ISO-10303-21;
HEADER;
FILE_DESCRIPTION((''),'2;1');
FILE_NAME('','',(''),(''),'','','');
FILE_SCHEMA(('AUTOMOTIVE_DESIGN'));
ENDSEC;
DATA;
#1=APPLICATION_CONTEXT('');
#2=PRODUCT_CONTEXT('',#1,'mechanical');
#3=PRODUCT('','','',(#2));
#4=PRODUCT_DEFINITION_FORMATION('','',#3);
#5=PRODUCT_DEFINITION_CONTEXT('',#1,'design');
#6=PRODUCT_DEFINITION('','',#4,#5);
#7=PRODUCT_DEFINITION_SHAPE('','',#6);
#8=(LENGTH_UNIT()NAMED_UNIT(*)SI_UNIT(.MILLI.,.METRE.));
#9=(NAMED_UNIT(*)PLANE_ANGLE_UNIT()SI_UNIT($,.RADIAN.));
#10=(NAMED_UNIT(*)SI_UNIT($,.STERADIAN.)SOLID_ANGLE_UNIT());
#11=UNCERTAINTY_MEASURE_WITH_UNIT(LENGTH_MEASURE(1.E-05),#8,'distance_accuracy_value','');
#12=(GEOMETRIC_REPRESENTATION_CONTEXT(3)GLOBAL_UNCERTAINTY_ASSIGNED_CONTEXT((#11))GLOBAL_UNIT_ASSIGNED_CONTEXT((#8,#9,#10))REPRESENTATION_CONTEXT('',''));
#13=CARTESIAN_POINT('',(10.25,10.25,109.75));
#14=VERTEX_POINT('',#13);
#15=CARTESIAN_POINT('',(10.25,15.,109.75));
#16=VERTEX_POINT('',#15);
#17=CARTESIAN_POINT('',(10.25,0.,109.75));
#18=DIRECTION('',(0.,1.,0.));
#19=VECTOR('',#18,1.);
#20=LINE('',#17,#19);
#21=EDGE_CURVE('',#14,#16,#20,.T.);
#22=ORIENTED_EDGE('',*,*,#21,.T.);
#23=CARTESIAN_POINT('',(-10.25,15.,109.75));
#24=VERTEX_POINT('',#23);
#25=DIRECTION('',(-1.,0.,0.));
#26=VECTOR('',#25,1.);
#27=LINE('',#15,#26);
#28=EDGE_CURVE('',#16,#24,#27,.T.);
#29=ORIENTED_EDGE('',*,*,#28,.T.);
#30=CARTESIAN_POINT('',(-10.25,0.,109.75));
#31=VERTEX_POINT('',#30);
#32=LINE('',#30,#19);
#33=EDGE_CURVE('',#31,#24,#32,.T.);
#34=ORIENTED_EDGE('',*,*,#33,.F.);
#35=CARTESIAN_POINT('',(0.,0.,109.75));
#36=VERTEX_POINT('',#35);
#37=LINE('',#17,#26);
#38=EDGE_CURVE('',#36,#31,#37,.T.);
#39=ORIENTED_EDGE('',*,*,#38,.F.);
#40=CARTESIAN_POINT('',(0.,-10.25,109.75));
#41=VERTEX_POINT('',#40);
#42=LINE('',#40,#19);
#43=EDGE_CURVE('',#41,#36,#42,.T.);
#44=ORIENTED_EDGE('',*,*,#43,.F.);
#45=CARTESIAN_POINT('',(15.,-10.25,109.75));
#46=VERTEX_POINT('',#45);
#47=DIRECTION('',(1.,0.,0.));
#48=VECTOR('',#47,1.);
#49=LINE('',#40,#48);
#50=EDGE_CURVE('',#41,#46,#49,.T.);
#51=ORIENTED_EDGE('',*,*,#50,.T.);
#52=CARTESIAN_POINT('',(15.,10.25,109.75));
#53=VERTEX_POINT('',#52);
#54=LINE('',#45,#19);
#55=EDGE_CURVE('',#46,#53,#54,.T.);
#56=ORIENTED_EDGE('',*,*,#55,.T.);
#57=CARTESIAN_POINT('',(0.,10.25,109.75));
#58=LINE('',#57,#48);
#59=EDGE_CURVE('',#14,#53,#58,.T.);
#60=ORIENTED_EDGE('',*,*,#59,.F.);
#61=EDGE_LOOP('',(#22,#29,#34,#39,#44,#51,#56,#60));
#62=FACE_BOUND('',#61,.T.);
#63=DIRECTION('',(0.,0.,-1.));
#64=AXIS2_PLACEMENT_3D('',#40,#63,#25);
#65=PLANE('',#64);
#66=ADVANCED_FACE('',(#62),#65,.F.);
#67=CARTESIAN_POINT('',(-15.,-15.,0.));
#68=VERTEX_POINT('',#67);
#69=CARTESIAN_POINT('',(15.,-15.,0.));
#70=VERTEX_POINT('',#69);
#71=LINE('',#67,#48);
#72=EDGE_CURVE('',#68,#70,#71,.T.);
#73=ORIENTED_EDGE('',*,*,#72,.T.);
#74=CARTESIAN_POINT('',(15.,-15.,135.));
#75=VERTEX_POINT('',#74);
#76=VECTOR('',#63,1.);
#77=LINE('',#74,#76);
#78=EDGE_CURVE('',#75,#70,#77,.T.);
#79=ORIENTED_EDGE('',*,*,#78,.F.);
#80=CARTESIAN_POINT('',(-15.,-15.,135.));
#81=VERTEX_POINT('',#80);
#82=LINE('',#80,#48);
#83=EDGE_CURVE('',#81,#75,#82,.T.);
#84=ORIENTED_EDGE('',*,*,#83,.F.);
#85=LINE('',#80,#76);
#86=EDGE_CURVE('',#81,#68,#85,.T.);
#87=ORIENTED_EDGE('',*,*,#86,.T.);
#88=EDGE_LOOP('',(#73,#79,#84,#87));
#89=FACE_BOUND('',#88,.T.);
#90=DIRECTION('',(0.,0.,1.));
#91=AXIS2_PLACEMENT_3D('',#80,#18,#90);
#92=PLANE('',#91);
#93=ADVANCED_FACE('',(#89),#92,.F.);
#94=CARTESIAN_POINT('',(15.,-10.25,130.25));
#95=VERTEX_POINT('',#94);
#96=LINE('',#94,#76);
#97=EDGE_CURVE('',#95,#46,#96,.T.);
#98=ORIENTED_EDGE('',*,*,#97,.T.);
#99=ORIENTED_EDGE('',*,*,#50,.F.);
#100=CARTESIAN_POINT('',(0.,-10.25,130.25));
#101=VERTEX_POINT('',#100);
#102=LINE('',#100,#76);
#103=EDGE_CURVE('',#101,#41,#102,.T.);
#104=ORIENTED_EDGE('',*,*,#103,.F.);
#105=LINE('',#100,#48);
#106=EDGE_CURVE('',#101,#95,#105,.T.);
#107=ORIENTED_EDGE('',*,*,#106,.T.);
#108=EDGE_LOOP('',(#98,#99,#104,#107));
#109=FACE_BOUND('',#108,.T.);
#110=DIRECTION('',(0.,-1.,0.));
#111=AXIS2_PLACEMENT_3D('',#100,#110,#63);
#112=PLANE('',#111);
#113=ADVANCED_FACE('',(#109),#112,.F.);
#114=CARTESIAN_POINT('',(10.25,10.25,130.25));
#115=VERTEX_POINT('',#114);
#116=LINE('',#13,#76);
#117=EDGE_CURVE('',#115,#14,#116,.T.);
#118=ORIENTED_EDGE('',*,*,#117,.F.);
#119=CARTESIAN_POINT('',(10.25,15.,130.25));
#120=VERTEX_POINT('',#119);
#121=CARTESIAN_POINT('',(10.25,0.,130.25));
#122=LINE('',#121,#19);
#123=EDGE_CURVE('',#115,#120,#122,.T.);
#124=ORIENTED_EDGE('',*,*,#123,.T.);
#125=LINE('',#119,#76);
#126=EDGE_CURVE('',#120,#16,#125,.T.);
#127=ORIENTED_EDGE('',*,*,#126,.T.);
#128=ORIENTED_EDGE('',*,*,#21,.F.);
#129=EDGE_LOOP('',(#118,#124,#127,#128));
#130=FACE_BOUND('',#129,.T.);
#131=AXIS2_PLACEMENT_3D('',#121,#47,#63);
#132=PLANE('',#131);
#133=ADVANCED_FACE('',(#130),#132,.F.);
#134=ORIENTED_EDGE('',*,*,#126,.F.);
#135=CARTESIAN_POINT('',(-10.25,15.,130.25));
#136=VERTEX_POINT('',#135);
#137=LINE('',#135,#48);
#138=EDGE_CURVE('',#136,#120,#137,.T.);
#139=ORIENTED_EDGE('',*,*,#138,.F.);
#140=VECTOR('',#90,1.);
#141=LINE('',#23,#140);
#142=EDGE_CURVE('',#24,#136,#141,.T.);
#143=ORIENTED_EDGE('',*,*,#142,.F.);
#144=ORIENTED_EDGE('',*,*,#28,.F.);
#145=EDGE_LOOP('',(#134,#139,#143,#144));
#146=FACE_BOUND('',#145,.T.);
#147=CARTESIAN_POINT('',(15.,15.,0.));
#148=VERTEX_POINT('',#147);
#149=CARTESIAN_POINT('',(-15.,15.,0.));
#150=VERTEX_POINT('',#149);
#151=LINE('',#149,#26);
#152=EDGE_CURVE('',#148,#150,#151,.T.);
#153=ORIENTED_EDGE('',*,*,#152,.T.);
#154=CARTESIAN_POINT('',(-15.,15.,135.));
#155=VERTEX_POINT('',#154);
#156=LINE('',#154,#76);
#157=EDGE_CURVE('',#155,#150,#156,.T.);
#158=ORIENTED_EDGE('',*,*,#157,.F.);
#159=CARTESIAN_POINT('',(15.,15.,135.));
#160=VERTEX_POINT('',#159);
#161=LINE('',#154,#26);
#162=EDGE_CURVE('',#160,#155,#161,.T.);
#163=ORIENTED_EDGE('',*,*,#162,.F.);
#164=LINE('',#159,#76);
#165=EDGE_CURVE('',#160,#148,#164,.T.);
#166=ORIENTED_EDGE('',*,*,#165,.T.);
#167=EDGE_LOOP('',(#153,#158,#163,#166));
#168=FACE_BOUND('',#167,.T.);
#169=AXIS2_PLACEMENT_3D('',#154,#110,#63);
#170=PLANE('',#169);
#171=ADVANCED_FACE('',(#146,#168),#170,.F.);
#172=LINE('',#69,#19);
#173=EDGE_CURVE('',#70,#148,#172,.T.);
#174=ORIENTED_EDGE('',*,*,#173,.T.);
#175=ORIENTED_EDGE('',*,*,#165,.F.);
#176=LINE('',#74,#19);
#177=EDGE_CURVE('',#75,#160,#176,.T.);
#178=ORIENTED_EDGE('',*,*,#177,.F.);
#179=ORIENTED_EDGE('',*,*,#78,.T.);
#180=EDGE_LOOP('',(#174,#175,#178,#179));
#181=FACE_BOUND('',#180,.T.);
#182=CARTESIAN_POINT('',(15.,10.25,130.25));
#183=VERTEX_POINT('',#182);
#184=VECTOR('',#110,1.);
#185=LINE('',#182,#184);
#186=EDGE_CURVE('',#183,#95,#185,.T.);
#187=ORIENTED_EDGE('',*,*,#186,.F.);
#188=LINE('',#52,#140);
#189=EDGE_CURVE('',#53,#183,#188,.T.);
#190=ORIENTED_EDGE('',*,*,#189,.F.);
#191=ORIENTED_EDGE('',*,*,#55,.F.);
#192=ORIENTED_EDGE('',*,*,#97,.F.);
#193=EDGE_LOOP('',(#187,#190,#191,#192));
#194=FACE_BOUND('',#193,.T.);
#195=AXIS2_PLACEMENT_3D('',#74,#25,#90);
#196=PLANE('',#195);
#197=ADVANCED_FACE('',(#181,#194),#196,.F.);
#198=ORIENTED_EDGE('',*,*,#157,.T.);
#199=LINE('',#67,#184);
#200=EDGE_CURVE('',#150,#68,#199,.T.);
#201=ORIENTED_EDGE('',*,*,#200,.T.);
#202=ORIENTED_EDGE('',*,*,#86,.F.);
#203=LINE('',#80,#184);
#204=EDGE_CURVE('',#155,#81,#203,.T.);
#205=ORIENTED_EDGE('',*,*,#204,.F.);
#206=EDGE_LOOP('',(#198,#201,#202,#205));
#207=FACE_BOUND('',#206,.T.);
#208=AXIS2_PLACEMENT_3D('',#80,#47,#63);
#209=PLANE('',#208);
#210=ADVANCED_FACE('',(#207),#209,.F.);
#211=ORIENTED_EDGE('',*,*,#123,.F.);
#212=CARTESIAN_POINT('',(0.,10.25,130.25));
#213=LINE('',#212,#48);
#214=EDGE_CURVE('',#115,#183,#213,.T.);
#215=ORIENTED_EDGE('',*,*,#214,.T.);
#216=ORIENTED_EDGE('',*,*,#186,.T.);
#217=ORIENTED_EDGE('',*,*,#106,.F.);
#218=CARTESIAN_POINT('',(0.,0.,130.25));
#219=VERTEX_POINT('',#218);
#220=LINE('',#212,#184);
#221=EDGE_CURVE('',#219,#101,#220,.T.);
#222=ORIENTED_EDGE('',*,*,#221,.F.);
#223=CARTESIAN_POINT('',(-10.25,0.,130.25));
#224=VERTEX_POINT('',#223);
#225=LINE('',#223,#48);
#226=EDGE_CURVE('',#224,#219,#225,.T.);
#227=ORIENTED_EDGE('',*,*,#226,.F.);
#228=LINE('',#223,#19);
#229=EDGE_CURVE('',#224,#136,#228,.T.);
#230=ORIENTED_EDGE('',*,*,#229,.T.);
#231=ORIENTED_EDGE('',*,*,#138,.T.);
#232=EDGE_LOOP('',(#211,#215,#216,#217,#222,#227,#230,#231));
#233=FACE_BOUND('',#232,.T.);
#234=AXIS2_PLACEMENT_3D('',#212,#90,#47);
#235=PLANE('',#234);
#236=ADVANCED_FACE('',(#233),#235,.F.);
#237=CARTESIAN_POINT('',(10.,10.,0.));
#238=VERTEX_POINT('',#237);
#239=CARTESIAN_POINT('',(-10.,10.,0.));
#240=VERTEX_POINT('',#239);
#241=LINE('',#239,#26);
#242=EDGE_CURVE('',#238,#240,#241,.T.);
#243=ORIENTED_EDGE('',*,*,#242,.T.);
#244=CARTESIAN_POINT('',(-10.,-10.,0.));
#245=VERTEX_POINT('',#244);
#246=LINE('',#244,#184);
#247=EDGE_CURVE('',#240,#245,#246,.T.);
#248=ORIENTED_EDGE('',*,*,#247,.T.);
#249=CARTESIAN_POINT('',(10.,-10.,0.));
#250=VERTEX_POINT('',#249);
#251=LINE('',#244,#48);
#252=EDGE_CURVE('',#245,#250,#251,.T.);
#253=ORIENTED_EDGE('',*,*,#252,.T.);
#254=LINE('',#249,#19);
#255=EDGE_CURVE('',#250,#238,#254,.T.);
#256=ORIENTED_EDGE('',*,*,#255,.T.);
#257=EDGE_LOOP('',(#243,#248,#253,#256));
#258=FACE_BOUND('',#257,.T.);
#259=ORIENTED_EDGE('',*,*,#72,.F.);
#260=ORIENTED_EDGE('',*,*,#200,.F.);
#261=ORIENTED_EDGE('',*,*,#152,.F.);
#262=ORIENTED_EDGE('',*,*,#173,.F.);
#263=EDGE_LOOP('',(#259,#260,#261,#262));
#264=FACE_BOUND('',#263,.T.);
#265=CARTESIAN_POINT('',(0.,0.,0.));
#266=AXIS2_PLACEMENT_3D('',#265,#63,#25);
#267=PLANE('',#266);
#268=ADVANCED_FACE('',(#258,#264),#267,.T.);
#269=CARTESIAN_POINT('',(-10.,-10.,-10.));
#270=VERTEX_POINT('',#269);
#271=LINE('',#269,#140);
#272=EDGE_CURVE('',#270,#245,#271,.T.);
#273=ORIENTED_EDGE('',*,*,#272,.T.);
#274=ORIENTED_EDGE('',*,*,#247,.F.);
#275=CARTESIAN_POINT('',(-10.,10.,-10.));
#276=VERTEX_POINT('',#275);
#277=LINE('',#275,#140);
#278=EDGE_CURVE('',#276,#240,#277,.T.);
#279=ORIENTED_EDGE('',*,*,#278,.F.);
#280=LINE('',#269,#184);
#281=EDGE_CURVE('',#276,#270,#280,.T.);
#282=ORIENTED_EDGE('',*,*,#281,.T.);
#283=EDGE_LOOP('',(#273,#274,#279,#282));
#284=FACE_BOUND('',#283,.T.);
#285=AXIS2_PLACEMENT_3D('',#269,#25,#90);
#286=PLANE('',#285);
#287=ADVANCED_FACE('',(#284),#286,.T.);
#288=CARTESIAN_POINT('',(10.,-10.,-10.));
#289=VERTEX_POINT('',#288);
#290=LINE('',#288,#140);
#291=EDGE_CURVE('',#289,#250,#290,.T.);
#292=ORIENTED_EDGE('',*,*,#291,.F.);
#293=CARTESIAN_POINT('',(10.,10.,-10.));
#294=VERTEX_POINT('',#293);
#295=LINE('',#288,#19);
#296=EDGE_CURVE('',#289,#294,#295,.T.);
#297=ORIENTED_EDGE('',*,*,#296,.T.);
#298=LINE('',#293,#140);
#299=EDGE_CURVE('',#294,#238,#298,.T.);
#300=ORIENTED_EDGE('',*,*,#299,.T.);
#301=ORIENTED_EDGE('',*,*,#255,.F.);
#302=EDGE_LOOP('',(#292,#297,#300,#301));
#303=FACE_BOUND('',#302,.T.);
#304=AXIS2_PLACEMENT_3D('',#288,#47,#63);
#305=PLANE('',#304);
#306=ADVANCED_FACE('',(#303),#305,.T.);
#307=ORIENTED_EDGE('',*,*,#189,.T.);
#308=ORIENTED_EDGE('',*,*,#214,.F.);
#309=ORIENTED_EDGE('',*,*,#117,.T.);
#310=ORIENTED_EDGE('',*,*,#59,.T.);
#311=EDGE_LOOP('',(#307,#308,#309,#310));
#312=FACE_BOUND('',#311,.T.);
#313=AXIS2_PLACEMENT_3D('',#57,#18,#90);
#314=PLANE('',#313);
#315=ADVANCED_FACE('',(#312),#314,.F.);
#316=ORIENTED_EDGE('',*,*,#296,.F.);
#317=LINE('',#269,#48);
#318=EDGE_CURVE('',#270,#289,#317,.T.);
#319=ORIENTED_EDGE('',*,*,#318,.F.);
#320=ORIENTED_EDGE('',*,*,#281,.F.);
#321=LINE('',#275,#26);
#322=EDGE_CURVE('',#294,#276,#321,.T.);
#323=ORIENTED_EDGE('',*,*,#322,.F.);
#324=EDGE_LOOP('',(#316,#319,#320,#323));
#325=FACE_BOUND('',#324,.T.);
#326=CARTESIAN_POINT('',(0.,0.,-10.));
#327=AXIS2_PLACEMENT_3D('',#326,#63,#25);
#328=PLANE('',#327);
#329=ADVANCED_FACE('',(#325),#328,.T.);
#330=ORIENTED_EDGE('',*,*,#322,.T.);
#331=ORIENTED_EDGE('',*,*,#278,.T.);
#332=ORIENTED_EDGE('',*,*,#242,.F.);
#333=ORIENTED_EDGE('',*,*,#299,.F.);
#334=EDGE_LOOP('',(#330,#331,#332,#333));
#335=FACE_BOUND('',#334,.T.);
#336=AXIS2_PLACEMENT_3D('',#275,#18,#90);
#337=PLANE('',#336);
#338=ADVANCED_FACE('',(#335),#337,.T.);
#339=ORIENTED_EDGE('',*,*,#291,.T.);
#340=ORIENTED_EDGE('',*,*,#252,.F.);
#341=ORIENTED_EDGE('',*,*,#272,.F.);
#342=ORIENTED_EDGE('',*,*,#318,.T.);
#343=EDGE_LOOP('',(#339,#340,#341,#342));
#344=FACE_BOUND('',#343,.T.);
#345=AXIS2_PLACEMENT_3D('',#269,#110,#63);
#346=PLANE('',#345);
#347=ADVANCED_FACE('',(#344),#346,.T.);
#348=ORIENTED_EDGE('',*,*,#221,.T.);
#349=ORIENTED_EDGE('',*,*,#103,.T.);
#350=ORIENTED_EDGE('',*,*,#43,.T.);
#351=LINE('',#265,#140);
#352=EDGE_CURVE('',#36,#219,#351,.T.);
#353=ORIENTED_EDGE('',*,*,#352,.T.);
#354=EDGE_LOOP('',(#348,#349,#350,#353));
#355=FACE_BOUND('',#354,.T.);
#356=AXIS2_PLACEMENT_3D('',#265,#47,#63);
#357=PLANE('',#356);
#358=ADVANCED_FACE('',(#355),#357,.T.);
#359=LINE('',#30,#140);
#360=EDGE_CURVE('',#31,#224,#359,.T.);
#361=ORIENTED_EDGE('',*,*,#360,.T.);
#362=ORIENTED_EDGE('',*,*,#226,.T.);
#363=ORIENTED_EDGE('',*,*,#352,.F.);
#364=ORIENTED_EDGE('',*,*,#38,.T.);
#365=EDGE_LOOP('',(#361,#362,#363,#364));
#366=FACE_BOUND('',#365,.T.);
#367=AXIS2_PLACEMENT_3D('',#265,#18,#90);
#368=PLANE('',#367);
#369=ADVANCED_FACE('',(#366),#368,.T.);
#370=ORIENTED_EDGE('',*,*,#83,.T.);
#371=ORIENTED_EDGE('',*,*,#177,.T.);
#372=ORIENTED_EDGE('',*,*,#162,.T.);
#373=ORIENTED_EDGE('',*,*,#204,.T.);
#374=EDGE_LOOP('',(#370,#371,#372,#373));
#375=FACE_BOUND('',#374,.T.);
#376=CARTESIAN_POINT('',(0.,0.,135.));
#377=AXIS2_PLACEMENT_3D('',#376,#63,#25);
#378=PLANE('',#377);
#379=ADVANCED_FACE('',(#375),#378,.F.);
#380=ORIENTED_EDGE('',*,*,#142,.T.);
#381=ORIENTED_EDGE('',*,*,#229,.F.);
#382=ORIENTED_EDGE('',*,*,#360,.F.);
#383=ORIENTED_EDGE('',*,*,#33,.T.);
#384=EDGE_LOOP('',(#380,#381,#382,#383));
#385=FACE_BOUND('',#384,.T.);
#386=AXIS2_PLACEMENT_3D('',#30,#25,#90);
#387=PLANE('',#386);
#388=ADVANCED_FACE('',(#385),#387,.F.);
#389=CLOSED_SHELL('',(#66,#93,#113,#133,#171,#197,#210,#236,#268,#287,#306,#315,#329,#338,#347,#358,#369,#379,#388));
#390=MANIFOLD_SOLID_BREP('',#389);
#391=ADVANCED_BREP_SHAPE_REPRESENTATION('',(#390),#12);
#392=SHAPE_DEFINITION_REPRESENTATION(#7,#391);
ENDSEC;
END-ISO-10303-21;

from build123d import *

# Parameters (mm, degrees)
SKETCH1_W           = 30
SKETCH1_H           = 30
BOSS_EXTRUDE1_DEPTH = 135
SKETCH2_W           = 20
SKETCH2_H           = 20
BOSS_EXTRUDE2_DEPTH = 10
SKETCH3_W           = 20.5
SKETCH3_H           = 20.5
CUT_EXTRUDE1_DEPTH  = 15
SKETCH4_W           = 20.5
SKETCH4_H           = 20.5
CUT_EXTRUDE2_DEPTH  = 15


with BuildPart() as part:
    # Sketch1 → Boss-Extrude1 (new body)
    with BuildSketch(Plane.XY):
        Rectangle(SKETCH1_W, SKETCH1_H)
    extrude(amount=BOSS_EXTRUDE1_DEPTH)

    # Sketch2 → Boss-Extrude2 (add)
    with BuildSketch(Plane.XY):
        Rectangle(SKETCH2_W, SKETCH2_H)
    extrude(amount=-BOSS_EXTRUDE2_DEPTH)

    # Sketch3 → Cut-Extrude1 (cut)
    with BuildSketch(Plane(origin=(15, 0, 0), x_dir=(0, 0, -1), z_dir=(1, 0, 0))):
        with Locations((-120, 0)):
            Rectangle(SKETCH3_W, SKETCH3_H)
    extrude(amount=-CUT_EXTRUDE1_DEPTH, mode=Mode.SUBTRACT)

    # Sketch4 → Cut-Extrude2 (cut)
    with BuildSketch(Plane(origin=(0, 15, 0), x_dir=(1, 0, 0), z_dir=(0, 1, 0))):
        with Locations((0, -120)):
            Rectangle(SKETCH4_W, SKETCH4_H)
    extrude(amount=-CUT_EXTRUDE2_DEPTH, mode=Mode.SUBTRACT)


solid = part.part
